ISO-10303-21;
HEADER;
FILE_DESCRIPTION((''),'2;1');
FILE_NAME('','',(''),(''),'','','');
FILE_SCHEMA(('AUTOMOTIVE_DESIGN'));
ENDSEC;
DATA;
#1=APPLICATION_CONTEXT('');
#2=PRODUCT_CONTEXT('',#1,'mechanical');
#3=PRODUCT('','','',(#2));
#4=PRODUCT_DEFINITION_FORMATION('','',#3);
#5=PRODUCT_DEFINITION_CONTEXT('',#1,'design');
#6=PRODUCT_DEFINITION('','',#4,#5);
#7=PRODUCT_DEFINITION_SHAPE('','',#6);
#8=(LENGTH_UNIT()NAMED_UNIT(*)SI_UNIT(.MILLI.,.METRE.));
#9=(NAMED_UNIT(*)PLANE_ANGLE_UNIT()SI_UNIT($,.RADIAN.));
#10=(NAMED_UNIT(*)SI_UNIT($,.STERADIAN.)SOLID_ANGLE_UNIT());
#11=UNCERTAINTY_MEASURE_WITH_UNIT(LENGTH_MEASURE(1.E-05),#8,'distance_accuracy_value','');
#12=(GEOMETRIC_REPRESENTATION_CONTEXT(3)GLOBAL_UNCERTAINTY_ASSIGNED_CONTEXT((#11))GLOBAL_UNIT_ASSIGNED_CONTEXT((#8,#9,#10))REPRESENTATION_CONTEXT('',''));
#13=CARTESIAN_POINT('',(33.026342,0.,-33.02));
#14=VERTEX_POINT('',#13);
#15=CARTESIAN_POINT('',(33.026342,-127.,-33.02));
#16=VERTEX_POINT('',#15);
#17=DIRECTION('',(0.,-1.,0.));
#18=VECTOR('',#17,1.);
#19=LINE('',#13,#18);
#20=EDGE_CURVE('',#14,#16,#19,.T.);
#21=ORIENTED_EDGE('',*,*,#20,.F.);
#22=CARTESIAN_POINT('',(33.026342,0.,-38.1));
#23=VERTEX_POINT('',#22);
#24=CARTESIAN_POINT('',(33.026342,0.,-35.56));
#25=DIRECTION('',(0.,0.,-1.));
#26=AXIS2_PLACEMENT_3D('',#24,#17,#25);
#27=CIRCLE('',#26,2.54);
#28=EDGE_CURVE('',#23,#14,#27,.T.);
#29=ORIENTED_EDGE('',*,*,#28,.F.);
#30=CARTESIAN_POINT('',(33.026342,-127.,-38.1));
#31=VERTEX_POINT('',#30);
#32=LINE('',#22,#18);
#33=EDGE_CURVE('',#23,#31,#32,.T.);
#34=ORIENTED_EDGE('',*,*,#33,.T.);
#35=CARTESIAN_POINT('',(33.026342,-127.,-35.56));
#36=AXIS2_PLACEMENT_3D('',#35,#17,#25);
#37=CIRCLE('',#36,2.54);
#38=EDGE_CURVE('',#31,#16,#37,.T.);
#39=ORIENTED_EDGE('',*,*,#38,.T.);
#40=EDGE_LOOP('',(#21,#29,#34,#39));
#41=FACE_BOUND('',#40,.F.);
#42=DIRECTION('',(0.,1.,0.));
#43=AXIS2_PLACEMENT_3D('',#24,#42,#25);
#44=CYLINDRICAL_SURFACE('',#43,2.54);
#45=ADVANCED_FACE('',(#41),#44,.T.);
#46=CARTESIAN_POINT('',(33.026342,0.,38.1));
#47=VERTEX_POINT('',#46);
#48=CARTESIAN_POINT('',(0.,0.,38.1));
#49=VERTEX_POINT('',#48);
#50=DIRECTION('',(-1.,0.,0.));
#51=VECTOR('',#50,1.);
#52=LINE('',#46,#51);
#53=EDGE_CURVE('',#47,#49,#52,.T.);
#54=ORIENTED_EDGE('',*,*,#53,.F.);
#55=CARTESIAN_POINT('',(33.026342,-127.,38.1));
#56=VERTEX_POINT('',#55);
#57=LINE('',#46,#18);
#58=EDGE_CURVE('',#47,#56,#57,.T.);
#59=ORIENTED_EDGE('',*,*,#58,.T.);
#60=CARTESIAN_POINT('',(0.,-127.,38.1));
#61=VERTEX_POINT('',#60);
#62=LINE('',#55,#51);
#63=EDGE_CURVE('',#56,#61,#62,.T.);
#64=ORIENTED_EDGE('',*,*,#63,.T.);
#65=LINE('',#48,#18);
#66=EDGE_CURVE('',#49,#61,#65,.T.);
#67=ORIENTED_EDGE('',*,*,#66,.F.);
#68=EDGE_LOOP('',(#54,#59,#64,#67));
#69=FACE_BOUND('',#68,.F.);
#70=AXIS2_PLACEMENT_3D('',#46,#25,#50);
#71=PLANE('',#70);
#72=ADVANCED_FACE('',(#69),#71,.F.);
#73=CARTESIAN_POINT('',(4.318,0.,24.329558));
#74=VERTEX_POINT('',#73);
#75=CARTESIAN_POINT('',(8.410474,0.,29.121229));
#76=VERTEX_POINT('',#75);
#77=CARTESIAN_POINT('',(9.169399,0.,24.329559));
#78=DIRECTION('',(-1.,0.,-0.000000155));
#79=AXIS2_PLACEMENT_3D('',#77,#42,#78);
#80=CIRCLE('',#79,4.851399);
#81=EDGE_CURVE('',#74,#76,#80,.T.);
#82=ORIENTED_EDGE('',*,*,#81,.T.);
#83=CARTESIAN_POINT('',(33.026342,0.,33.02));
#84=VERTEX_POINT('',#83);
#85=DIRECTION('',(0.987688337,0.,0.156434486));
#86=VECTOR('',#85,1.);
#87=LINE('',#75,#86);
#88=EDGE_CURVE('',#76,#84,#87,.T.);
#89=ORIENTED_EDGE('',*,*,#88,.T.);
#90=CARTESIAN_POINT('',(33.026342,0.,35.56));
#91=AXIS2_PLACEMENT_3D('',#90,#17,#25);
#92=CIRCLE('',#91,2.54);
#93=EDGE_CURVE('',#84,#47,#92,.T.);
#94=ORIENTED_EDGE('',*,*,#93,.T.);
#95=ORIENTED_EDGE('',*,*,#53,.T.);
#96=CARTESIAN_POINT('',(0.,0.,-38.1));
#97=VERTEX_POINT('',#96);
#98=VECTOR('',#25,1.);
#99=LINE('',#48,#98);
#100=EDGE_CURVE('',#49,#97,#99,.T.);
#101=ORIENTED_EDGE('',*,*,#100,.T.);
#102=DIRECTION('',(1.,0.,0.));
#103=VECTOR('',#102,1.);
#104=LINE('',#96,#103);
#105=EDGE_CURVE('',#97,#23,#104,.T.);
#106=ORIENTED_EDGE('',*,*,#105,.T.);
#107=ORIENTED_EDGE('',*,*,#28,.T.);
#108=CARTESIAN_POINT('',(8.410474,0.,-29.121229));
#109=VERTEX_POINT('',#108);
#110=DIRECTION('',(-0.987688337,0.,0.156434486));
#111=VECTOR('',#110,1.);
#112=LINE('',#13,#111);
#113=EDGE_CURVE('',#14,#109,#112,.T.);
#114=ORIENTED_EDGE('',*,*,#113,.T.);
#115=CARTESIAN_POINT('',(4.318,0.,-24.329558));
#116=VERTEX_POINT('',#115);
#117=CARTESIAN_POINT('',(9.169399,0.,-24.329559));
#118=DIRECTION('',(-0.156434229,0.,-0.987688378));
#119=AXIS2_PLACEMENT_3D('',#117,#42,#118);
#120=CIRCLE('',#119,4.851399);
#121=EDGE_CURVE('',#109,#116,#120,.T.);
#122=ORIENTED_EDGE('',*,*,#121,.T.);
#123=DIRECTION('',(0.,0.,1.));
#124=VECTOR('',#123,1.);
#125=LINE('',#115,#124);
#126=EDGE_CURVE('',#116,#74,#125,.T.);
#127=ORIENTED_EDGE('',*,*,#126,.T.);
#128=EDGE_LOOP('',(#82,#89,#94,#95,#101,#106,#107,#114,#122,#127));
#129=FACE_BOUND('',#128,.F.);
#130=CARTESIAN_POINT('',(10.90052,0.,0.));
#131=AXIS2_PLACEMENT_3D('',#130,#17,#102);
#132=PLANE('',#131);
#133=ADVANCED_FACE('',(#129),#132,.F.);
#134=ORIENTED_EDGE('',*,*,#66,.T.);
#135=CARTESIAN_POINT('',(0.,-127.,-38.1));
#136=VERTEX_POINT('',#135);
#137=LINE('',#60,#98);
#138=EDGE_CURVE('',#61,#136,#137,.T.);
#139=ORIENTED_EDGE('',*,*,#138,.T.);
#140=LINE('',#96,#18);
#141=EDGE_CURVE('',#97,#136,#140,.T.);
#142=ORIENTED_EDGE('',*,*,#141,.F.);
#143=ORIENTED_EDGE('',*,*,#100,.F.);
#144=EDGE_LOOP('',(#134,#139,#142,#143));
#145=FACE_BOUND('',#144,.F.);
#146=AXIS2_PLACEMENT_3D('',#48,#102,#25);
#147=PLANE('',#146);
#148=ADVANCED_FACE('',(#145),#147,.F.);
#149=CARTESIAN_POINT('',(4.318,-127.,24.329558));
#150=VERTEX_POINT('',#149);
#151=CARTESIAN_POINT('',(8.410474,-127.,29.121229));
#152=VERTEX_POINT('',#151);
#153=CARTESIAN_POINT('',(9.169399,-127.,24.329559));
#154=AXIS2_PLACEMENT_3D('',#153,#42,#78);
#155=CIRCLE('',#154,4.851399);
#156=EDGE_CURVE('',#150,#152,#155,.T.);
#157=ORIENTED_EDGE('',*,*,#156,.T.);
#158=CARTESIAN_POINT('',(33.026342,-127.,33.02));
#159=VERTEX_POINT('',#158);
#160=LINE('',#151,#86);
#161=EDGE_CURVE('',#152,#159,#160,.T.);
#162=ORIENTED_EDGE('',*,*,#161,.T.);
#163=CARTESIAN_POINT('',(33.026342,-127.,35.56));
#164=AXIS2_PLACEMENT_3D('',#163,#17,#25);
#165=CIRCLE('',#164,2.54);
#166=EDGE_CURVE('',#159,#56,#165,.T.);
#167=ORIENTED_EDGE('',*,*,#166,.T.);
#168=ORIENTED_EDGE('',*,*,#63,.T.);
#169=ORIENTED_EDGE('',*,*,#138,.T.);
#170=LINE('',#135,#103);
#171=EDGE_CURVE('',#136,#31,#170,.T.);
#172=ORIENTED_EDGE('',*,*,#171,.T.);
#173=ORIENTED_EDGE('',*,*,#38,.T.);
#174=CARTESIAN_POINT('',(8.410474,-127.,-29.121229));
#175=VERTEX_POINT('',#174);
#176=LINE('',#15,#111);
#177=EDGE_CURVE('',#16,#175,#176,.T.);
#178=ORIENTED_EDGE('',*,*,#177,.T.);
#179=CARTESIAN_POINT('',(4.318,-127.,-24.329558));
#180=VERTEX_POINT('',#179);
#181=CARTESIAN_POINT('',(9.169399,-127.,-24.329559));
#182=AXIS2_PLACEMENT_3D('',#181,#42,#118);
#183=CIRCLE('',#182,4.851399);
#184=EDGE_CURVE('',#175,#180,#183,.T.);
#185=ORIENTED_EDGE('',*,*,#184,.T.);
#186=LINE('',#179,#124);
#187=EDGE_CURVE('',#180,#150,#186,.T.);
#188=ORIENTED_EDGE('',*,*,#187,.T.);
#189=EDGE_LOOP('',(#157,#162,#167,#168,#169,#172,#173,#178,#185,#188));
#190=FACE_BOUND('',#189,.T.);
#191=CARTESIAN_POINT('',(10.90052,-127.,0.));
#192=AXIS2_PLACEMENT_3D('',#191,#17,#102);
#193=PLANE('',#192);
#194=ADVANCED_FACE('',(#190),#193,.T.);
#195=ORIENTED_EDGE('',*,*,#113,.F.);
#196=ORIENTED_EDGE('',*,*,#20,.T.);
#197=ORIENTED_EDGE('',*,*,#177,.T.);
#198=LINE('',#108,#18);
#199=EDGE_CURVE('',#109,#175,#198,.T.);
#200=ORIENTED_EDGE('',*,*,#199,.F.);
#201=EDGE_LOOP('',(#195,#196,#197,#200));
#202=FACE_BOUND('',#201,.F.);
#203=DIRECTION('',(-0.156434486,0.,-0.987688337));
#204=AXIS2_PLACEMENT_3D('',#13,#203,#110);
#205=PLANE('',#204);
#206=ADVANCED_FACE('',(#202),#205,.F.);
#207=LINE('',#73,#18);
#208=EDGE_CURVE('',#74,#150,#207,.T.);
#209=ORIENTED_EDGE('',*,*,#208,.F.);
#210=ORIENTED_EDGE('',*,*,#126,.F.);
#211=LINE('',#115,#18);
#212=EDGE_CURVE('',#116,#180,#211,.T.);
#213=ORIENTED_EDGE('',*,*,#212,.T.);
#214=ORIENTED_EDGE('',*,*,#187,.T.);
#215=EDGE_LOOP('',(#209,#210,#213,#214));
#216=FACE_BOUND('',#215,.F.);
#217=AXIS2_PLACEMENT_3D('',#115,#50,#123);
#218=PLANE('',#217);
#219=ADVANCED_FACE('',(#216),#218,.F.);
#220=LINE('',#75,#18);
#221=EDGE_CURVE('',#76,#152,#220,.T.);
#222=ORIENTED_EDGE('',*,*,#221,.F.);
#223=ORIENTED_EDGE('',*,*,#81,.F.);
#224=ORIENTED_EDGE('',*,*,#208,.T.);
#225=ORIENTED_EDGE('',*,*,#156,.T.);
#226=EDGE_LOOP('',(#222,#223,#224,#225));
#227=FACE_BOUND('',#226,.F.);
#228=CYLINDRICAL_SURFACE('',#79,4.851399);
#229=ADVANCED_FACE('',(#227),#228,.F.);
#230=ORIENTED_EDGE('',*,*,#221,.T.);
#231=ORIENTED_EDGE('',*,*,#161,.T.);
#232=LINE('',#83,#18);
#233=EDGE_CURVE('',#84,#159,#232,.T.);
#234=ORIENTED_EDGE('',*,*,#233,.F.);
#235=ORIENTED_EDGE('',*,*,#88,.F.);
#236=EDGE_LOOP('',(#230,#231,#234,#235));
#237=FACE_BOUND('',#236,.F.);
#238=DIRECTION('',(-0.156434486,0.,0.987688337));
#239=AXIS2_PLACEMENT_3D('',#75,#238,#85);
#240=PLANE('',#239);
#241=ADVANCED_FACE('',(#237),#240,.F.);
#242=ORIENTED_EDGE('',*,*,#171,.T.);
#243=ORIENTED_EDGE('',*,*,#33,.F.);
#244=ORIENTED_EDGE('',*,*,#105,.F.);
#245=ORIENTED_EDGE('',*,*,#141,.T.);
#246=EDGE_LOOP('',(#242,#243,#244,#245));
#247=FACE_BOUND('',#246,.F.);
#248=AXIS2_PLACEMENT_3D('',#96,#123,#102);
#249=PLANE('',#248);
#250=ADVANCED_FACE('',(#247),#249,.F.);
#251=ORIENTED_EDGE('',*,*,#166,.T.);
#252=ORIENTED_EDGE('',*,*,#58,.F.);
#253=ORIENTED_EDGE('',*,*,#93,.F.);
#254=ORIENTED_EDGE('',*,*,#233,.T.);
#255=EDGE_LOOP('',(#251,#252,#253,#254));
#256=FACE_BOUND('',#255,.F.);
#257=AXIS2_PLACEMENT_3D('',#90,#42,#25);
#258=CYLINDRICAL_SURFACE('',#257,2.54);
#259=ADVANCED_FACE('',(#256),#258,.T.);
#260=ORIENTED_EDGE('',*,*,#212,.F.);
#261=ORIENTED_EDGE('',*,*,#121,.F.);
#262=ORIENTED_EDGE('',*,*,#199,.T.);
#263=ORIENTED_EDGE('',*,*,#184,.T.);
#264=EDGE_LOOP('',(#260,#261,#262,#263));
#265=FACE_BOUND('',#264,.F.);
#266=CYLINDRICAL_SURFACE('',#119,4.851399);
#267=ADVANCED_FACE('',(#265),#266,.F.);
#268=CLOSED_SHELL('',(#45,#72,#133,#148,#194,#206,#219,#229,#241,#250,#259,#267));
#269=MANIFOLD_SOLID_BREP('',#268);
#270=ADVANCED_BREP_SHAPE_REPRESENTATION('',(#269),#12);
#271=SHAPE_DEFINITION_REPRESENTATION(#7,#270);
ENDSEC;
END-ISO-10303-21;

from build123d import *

# Parameters (mm, degrees)
F1_DEPTH = 127


with BuildPart() as f1:
    # F0 (on Front) → F1 (new body)
    with BuildSketch(Plane.XZ):
        with BuildLine():
            Line((4.318, 0), (4.318, 24.329558))
            ThreePointArc((4.318, 24.329558), (5.480366, 27.48029), (8.410474, 29.121229))
            Line((8.410474, 29.121229), (33.026342, 33.02))
            ThreePointArc((33.026342, 33.02), (35.566342, 35.56), (33.026342, 38.1))
            Line((33.026342, 38.1), (0, 38.1))
            Line((0, 38.1), (0, 0))
            Line((0, 0), (0, -38.1))
            Line((0, -38.1), (33.026342, -38.1))
            ThreePointArc((33.026342, -38.1), (35.566342, -35.56), (33.026342, -33.02))
            Line((33.026342, -33.02), (8.410474, -29.121229))
            ThreePointArc((8.410474, -29.121229), (5.480366, -27.48029), (4.318, -24.329558))
            Line((4.318, -24.329558), (4.318, 0))
        make_face()
    extrude(amount=F1_DEPTH)


solid = f1.part
